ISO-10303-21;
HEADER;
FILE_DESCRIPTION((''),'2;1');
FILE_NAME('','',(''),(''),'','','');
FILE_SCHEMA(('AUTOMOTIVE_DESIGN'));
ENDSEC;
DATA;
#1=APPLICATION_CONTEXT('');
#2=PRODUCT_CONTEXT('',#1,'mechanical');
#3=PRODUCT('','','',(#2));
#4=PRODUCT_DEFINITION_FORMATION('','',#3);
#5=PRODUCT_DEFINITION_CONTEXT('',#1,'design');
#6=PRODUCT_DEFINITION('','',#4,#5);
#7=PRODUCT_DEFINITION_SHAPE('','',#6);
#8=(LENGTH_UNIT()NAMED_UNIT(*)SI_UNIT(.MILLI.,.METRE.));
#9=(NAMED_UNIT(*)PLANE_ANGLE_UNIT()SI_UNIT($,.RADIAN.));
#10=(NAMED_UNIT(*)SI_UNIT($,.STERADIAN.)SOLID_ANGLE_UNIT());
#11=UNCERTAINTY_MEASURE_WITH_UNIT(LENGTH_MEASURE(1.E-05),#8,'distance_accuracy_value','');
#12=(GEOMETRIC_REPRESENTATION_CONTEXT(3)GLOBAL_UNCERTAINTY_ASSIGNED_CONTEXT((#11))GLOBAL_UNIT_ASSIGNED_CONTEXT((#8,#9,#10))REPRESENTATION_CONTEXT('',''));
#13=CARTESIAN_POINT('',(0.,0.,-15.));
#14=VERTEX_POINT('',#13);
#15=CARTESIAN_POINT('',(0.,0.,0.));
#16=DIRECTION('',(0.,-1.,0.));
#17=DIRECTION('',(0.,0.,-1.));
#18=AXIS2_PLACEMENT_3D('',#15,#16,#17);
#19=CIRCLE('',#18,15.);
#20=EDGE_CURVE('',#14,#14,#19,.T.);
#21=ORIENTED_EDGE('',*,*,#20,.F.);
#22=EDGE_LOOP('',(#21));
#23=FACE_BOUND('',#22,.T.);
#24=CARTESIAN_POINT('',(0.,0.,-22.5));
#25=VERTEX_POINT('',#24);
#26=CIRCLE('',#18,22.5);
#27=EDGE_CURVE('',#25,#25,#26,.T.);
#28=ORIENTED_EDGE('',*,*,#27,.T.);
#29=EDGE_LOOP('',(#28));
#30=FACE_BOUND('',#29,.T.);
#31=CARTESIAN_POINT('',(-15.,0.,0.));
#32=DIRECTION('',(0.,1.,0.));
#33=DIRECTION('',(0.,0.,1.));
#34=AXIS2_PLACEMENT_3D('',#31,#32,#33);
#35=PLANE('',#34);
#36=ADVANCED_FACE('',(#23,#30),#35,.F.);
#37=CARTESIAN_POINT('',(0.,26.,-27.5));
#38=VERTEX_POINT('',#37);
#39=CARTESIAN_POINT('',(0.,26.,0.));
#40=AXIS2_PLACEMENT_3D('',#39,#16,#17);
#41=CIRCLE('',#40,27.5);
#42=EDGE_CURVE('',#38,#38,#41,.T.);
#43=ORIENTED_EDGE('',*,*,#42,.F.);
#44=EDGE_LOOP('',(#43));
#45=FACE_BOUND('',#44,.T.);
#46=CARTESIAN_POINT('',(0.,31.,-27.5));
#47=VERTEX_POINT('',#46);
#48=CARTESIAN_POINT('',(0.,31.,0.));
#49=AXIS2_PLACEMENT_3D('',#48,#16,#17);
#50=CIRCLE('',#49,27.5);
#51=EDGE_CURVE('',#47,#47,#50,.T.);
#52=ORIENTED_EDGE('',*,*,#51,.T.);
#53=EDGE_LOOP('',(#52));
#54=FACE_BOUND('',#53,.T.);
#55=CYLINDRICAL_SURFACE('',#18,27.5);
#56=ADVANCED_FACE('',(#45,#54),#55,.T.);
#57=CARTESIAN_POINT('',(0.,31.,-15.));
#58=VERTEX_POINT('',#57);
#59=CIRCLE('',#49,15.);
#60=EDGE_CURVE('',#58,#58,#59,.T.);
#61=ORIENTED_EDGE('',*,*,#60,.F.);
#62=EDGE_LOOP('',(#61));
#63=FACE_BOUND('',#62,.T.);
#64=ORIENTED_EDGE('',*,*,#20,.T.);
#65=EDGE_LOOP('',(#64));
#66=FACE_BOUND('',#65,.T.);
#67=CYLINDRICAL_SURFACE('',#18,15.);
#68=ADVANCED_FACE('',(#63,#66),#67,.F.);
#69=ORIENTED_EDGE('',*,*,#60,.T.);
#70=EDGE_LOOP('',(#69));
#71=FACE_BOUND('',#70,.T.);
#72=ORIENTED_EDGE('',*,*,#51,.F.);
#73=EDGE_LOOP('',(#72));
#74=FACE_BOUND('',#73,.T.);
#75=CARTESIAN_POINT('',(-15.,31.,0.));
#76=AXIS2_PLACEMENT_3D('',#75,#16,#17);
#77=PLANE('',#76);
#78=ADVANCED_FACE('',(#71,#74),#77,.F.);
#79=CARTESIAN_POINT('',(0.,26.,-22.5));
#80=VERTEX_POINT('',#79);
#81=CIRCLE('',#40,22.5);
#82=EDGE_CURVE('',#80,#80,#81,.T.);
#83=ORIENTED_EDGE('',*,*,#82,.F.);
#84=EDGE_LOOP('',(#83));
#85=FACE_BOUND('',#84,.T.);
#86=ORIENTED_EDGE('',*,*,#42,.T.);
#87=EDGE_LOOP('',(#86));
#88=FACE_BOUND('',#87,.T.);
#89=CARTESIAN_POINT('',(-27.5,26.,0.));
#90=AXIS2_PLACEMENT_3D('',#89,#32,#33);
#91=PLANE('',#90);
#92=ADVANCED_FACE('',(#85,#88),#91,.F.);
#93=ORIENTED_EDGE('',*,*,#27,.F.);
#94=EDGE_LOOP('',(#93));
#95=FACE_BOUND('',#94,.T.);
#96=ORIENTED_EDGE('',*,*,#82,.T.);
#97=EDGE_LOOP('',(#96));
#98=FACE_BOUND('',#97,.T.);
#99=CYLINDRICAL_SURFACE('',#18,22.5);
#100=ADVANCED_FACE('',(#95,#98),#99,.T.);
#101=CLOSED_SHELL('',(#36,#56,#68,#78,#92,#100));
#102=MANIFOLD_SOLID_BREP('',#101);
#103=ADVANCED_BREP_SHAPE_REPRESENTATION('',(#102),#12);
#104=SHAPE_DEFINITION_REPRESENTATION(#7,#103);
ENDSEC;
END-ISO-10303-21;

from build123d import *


with BuildPart() as part:
    # Szkic1 → Obrót1 (revolve)
    with BuildSketch(Plane.XY, mode=Mode.PRIVATE) as obr_t1_sk:
        Polygon((-15, 0), (-22.5, 0), (-22.5, 26), (-27.5, 26), (-27.5, 31), (-15, 31), align=None)
    revolve(obr_t1_sk.sketch.rotate(Axis((0, 0, 0), (0, 1, 0)), 270), axis=Axis((0, 0, 0), (0, 1, 0)))


solid = part.part
